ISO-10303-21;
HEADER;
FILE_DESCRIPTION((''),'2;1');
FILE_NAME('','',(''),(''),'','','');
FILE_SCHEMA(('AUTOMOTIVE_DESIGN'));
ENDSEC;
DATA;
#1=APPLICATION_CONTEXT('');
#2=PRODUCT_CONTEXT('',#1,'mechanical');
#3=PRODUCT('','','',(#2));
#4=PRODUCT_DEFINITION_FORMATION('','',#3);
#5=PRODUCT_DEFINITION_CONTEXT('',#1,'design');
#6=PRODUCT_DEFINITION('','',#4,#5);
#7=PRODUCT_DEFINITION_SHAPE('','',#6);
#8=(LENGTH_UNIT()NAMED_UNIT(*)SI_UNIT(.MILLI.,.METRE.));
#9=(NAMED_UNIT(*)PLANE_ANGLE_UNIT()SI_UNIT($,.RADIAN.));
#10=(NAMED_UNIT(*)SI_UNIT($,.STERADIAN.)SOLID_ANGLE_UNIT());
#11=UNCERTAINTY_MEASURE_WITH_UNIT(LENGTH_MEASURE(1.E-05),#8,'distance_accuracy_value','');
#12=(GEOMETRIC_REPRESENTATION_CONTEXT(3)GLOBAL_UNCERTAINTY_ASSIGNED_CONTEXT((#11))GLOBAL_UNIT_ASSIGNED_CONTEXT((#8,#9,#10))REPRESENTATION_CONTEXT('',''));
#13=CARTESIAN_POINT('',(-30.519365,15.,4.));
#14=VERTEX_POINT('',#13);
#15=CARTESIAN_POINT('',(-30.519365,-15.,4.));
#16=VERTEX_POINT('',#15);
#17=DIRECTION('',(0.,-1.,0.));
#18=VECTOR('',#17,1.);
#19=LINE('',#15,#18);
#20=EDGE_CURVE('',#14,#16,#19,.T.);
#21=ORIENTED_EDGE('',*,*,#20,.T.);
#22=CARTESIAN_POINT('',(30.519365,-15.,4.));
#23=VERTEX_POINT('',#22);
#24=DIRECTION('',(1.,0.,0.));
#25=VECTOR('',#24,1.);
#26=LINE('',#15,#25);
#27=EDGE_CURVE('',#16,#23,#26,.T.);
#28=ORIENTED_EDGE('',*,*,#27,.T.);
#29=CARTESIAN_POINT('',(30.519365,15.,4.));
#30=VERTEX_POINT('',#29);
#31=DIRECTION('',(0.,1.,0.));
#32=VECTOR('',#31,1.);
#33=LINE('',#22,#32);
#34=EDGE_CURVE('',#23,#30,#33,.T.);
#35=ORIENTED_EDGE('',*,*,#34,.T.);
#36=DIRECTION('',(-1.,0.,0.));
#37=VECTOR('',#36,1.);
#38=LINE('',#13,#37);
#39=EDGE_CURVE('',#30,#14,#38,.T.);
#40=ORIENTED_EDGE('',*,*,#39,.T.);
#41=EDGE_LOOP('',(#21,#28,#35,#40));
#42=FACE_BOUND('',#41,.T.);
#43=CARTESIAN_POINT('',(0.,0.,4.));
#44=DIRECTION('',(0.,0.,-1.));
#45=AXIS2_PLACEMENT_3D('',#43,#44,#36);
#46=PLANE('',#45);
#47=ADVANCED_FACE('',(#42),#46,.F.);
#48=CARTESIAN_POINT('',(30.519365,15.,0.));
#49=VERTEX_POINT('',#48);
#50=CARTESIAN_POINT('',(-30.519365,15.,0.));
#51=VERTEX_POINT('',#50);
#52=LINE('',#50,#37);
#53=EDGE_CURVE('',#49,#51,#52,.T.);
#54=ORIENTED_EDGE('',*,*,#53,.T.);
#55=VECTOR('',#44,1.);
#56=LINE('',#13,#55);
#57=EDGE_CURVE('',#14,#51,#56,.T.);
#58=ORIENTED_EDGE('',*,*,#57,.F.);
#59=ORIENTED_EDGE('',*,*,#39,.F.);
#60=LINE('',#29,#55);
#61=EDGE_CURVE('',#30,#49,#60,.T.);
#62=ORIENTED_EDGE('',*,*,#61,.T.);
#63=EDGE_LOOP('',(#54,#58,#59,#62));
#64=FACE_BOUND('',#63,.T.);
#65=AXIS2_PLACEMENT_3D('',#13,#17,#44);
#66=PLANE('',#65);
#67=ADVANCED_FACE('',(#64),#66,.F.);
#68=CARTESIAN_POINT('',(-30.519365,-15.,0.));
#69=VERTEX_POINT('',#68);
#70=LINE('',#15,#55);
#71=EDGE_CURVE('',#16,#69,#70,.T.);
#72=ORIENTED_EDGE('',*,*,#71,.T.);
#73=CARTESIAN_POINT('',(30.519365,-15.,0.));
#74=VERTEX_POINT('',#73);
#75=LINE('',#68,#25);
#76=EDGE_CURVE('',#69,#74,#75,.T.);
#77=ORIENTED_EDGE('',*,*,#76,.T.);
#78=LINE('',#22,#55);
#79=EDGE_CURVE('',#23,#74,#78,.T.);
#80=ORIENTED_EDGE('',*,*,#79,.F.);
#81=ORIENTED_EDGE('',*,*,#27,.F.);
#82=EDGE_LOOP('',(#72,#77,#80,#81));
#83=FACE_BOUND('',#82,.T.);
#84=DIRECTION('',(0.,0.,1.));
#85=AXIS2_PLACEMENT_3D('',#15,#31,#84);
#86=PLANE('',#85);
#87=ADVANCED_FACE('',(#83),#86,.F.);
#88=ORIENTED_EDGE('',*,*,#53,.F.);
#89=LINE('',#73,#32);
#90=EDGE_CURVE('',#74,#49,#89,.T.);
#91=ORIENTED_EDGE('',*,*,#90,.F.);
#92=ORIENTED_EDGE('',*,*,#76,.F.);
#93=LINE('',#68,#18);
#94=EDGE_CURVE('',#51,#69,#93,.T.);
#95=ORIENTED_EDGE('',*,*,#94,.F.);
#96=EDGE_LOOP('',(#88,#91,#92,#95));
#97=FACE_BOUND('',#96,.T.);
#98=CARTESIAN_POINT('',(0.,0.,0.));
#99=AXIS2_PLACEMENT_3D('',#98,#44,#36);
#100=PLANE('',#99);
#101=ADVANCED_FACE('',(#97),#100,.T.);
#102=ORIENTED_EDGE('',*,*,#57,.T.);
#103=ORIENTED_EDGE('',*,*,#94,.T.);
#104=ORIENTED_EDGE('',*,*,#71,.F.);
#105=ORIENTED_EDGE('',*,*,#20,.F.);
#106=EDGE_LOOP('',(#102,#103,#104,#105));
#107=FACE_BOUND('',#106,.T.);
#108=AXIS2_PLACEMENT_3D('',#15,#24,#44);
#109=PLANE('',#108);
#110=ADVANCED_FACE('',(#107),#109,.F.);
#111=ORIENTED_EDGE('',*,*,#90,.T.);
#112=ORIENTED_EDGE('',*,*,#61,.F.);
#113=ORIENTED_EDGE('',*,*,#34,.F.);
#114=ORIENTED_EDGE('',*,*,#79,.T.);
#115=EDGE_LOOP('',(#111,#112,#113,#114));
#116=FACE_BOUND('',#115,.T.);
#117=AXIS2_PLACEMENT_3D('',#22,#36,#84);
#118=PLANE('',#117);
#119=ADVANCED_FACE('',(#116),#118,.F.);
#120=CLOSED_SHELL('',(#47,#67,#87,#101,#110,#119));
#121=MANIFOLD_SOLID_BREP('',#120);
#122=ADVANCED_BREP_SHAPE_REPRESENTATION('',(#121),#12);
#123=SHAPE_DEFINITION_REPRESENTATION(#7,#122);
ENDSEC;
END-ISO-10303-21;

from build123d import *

# Parameters (mm, degrees)
ESBO_O1_W                = 61.038729438
ESBO_O1_H                = 30
RESSALTO_EXTRUS_O1_DEPTH = 4


with BuildPart() as part:
    # Esboço1 → Ressalto-extrusão1 (new body)
    with BuildSketch(Plane.XY):
        Rectangle(ESBO_O1_W, ESBO_O1_H)
    extrude(amount=RESSALTO_EXTRUS_O1_DEPTH)


solid = part.part
